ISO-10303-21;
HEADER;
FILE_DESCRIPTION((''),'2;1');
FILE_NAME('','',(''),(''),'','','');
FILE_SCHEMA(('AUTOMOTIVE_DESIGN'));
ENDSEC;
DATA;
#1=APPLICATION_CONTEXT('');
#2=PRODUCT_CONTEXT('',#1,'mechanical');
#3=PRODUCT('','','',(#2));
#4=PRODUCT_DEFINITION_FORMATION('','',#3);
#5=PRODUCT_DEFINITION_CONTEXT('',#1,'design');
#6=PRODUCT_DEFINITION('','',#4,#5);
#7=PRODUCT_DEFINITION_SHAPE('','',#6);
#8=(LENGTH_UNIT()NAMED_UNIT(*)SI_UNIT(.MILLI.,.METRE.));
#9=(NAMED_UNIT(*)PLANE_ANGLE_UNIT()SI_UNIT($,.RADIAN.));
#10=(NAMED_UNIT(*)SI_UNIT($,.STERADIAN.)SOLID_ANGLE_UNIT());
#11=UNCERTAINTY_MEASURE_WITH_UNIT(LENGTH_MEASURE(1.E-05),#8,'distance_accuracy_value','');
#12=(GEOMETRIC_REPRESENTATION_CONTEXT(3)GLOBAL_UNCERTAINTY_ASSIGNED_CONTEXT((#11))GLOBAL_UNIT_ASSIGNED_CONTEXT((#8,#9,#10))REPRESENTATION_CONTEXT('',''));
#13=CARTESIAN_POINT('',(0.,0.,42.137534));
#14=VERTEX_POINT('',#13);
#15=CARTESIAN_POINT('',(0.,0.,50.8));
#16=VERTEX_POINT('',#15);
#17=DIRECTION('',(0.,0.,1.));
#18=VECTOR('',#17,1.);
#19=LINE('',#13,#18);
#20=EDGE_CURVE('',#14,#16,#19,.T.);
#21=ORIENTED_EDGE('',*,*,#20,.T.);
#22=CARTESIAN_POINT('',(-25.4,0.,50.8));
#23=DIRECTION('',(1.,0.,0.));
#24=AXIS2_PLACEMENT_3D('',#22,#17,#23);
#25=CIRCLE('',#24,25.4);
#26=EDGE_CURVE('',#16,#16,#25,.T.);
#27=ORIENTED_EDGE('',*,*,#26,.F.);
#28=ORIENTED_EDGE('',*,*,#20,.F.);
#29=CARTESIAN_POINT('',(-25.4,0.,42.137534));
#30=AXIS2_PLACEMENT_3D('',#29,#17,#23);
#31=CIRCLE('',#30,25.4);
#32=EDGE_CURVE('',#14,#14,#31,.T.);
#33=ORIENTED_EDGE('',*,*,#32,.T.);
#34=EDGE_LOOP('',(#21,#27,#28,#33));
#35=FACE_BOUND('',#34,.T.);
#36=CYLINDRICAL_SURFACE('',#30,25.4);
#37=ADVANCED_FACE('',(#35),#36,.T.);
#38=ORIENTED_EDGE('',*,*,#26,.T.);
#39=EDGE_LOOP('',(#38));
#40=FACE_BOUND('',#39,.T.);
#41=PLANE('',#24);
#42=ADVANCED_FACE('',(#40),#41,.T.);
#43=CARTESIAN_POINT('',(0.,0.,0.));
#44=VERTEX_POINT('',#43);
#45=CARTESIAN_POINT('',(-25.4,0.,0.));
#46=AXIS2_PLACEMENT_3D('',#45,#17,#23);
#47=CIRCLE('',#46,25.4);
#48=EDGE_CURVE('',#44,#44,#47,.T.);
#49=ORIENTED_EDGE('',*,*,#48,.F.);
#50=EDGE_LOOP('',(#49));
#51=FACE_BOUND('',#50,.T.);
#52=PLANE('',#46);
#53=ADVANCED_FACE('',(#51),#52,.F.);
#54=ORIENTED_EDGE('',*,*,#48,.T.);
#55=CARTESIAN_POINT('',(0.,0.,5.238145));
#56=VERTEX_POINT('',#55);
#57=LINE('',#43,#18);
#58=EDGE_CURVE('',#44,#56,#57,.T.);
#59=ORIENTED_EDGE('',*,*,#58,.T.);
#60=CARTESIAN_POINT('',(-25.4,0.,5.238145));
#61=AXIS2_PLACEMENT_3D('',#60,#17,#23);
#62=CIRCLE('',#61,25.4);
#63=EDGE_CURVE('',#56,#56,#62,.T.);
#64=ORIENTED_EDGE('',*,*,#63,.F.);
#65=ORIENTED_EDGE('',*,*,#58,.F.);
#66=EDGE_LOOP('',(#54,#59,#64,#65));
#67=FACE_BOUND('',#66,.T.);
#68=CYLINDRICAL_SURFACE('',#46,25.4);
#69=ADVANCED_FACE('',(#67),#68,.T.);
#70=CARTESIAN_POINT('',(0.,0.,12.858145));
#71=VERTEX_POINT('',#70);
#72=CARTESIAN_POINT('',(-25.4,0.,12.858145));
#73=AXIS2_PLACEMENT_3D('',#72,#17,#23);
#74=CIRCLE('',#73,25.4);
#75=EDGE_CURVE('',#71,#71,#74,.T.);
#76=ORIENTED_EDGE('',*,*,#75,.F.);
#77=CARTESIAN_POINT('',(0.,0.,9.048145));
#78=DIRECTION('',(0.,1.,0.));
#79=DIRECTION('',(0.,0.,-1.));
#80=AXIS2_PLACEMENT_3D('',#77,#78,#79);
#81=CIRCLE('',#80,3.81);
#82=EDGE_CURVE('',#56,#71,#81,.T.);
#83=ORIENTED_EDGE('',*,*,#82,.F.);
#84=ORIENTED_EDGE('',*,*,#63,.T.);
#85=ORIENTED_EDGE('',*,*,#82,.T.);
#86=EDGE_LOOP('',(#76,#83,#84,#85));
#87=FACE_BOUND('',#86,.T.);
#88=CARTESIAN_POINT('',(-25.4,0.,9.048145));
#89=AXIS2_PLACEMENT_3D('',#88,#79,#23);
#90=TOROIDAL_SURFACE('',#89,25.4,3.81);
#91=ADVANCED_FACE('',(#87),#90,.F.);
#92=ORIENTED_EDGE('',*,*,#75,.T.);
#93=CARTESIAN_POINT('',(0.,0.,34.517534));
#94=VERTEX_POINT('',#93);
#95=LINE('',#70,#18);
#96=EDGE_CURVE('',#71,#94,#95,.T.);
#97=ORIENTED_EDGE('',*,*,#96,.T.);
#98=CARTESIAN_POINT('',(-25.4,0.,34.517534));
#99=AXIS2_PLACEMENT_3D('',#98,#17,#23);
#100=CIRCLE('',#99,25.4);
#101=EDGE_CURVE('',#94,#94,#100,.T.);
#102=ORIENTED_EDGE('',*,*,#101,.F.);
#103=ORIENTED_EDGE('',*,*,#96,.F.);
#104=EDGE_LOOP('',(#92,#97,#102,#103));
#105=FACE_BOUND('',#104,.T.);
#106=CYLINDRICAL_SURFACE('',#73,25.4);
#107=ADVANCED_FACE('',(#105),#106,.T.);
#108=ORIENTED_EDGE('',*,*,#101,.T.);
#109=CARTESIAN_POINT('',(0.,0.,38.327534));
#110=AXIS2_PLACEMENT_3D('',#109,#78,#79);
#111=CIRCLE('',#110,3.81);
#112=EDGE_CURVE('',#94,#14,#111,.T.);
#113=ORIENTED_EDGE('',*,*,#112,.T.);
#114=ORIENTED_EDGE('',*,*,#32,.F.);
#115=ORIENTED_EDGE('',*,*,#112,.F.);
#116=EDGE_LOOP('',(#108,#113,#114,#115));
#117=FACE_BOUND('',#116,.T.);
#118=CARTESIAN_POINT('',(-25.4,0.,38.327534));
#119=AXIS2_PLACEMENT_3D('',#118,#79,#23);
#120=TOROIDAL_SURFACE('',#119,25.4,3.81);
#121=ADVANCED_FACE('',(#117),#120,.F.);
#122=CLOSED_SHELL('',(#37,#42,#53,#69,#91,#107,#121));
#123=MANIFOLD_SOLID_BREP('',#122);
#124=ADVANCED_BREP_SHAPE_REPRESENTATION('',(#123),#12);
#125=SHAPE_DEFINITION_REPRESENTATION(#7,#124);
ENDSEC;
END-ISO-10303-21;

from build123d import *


with BuildPart() as f1:
    # F0 (on Front) → F1 (revolve)
    with BuildSketch(Plane.XZ):
        with BuildLine():
            Line((-25.4, 0), (0, 0))
            Line((0, 0), (0, 5.238145))
            ThreePointArc((0, 5.238145), (-3.81, 9.048145), (0, 12.858145))
            Line((0, 12.858145), (0, 34.517534))
            ThreePointArc((0, 34.517534), (-3.81, 38.327534), (0, 42.137534))
            Line((0, 42.137534), (0, 50.8))
            Line((0, 50.8), (-25.4, 50.8))
            Line((-25.4, 50.8), (-25.4, 0))
        make_face()
    revolve(axis=Axis((-25.4, 0, 25.4), (0, 0, 1)))


solid = f1.part
